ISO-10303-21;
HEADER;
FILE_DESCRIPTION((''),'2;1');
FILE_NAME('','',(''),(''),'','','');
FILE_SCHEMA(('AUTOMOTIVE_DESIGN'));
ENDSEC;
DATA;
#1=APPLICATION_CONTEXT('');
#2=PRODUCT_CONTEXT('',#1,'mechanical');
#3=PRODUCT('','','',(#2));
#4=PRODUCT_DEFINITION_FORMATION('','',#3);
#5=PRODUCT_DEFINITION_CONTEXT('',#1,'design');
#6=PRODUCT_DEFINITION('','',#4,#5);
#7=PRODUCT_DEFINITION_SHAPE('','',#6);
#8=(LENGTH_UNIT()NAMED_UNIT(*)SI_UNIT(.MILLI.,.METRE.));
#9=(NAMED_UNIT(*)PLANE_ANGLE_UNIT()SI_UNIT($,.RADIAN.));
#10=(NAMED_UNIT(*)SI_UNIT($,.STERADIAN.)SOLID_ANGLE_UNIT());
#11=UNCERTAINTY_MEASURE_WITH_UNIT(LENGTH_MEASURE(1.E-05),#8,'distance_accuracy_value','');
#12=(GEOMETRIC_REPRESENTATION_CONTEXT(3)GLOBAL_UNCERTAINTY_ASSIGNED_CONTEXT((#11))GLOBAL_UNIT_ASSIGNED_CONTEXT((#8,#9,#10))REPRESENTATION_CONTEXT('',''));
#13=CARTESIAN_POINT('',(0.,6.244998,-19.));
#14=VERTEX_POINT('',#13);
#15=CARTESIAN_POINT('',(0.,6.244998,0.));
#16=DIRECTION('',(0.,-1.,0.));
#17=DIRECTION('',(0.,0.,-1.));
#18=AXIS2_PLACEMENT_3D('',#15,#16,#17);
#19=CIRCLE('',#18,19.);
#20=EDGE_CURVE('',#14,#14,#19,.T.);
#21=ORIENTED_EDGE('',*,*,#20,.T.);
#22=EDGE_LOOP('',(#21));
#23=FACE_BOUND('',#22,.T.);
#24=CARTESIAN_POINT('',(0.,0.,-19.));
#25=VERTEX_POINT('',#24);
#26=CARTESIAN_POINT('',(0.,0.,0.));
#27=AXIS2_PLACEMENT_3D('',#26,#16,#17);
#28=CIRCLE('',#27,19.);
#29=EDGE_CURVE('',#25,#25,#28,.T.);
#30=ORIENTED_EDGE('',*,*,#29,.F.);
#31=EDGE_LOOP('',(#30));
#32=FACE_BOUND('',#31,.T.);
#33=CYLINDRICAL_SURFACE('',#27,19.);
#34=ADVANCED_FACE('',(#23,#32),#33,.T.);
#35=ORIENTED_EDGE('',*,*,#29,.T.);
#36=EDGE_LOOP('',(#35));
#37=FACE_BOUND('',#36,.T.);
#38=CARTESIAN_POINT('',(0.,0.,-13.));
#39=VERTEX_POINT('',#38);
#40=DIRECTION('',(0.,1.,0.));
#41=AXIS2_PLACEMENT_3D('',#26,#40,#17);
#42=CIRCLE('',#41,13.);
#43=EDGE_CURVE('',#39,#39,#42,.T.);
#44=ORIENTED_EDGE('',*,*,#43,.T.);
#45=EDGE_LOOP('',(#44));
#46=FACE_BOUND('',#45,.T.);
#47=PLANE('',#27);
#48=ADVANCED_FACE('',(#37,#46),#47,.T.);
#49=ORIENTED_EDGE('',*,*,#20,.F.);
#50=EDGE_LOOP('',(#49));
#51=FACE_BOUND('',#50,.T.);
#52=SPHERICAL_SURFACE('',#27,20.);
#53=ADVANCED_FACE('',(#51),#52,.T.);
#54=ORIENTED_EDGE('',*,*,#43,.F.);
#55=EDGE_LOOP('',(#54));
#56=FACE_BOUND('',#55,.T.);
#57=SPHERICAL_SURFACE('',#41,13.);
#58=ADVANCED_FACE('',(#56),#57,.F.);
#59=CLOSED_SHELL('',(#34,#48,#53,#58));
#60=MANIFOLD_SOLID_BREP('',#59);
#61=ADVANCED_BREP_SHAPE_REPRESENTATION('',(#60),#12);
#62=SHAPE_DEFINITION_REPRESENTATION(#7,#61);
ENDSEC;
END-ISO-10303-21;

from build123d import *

# Parameters (mm, degrees)
REVOLVE1_ANGLE = 180
SKETCH2_W      = 2.135
SKETCH2_H      = 6.25


with BuildPart() as part:
    # Sketch1 → Revolve1 (revolve)
    with BuildSketch(Plane(origin=(0, 0, 0), x_dir=(1, 0, 0), z_dir=(0, 1, 0))):
        with BuildLine():
            Line((-13, 0), (-20, 0))
            ThreePointArc((-20, 0), (0, 20), (20, 0))
            Line((20, 0), (13, 0))
            ThreePointArc((13, 0), (0, 13), (-13, 0))
        make_face()
    revolve(axis=Axis((13, 0, 0), (1, 0, 0)), revolution_arc=REVOLVE1_ANGLE)

    # Sketch2 → Cut-Revolve1 (revolve, cut)
    with BuildSketch(Plane(origin=(0, 0, 0), x_dir=(0, 0, -1), z_dir=(1, 0, 0)), mode=Mode.PRIVATE) as cut_revolve1_sk:
        with Locations((-20.0675, 3.125)):
            Rectangle(SKETCH2_W, SKETCH2_H)
    revolve(cut_revolve1_sk.sketch.rotate(Axis((0, 0, 0), (0, 1, 0)), 180), axis=Axis((0, 0, 0), (0, 1, 0)), mode=Mode.SUBTRACT)


solid = part.part
